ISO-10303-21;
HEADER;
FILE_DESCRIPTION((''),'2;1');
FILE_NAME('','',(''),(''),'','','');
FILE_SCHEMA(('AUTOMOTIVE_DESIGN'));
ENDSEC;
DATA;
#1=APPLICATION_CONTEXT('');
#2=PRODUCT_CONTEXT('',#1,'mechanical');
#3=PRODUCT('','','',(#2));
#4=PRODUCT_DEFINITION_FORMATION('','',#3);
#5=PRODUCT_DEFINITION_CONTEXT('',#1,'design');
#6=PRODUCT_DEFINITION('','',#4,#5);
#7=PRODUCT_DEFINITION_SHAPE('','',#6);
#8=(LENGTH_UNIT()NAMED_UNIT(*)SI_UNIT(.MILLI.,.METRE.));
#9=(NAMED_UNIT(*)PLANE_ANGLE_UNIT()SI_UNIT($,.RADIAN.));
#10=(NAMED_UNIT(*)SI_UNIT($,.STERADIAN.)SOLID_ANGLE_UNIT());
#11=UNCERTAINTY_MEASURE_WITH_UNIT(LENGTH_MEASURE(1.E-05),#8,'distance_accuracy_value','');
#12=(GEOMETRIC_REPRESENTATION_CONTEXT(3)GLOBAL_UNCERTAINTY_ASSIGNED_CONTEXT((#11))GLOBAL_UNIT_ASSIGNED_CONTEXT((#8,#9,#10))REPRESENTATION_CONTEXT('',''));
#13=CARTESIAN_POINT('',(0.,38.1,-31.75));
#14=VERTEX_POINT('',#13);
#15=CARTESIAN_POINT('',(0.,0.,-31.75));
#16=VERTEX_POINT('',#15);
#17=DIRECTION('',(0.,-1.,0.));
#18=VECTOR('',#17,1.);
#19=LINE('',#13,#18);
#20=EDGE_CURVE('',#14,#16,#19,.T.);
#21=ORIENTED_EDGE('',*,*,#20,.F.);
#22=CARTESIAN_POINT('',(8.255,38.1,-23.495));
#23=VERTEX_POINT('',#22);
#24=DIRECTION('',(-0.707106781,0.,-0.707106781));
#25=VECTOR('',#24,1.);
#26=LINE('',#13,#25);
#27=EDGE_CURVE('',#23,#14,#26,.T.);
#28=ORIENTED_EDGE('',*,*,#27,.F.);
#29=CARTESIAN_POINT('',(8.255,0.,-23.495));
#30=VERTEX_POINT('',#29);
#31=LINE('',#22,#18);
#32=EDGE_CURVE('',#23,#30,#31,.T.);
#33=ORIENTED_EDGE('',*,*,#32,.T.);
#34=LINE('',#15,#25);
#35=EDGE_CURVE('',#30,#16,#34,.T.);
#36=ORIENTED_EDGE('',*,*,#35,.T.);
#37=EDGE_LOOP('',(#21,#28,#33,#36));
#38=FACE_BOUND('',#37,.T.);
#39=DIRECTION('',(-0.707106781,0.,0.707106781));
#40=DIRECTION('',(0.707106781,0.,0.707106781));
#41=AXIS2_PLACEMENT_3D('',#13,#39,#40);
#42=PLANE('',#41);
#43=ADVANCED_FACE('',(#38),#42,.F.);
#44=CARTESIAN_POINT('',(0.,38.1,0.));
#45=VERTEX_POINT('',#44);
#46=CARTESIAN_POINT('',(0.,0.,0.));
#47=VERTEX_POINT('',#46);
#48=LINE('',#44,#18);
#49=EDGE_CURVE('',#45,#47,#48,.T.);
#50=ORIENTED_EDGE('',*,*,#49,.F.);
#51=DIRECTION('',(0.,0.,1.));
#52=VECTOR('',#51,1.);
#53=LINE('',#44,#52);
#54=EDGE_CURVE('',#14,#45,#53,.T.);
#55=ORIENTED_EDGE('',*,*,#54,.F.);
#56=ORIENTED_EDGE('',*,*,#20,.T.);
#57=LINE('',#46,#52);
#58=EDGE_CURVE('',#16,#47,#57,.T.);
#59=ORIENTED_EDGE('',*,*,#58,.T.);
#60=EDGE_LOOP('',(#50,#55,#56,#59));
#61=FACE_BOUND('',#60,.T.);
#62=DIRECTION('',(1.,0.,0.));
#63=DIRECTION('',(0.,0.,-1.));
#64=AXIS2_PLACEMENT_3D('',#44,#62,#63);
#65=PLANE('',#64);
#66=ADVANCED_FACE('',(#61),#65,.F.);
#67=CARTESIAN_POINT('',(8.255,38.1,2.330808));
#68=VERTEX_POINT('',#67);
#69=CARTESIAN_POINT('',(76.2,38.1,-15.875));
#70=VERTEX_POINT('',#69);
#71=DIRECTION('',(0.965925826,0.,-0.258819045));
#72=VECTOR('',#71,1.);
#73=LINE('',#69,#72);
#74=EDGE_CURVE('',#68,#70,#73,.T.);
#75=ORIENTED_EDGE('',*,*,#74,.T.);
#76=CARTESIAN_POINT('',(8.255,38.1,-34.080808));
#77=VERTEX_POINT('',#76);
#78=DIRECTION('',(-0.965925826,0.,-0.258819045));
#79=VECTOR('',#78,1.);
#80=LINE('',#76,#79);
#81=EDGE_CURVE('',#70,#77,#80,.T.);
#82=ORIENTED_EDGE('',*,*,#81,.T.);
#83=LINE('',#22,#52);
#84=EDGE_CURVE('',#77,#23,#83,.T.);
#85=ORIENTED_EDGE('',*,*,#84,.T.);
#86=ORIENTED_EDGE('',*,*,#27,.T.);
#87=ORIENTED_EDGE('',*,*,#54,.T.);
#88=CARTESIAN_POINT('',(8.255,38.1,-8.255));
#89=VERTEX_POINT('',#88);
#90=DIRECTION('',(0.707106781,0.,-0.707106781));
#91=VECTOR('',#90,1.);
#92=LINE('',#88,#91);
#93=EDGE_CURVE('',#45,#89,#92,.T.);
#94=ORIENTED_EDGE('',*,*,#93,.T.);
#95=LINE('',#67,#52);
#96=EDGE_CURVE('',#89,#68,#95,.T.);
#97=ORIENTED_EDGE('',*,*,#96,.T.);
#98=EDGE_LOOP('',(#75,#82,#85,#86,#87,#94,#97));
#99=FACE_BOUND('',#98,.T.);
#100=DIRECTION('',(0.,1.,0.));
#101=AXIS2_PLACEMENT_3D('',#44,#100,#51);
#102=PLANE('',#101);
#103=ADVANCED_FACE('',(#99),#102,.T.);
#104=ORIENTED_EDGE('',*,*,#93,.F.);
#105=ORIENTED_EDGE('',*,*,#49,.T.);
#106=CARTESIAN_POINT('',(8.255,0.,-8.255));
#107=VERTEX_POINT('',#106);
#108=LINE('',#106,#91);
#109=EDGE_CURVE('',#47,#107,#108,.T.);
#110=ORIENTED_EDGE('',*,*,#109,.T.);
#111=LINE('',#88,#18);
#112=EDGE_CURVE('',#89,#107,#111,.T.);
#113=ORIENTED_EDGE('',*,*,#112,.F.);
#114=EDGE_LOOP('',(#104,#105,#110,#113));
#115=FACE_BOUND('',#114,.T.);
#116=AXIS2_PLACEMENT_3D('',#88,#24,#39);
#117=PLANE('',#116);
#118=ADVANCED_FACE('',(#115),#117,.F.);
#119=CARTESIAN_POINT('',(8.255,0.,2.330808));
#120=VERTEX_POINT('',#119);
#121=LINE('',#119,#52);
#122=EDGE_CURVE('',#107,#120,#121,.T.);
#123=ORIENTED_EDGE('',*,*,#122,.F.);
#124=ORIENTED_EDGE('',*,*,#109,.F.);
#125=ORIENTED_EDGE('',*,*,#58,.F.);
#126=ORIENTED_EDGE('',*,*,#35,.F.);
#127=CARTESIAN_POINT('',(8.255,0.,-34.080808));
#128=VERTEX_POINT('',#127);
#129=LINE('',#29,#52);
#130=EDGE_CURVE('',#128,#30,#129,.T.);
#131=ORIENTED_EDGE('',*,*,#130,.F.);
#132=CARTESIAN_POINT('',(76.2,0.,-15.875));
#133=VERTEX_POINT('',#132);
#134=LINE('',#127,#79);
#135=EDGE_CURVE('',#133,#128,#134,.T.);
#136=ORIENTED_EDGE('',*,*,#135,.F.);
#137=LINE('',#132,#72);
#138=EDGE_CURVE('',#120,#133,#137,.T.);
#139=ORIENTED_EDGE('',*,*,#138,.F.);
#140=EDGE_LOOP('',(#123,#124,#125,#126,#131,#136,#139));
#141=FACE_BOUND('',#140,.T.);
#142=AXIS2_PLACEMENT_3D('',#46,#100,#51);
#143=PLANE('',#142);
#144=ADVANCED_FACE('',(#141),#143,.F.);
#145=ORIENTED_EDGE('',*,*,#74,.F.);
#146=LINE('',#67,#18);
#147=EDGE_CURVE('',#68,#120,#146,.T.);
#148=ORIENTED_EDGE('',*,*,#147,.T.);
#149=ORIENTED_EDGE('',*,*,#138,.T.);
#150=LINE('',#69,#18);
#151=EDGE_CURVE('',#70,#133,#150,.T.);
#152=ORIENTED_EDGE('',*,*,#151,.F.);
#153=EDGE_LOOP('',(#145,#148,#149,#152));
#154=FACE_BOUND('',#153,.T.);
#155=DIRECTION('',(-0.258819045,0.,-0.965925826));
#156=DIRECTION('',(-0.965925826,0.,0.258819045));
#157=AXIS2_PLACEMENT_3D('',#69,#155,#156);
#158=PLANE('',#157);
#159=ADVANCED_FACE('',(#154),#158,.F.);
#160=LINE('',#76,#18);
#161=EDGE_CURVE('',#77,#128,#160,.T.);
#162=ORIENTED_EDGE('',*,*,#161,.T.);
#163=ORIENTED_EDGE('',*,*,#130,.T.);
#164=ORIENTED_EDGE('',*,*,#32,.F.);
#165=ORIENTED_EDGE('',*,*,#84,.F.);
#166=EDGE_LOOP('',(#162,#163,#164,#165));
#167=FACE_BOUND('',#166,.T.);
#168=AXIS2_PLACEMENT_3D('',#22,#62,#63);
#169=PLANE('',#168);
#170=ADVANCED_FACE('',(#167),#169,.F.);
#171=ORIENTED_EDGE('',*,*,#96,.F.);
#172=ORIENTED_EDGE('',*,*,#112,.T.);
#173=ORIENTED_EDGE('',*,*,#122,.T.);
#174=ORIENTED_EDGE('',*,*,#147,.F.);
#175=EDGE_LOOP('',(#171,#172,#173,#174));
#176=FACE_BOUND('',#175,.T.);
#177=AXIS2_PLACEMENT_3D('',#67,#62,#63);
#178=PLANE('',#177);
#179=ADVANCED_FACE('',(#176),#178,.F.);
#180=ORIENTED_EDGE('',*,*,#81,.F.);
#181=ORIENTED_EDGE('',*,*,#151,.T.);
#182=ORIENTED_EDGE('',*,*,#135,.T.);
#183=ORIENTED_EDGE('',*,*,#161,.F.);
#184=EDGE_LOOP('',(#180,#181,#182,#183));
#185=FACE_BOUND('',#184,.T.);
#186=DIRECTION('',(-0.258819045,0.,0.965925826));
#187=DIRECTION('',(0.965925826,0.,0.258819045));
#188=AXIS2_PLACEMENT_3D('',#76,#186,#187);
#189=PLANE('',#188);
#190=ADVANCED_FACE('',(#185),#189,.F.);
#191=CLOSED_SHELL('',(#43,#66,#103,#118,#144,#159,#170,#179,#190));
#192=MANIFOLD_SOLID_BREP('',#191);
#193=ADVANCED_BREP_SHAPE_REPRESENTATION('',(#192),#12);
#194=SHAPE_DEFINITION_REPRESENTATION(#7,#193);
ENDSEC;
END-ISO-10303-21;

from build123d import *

# Parameters (mm, degrees)
BOSS_EXTRUDE1_DEPTH = 38.1


with BuildPart() as part:
    # Sketch1 → Boss-Extrude1 (new body)
    with BuildSketch(Plane(origin=(0, 0, 0), x_dir=(1, 0, 0), z_dir=(0, 1, 0))):
        Polygon((0, 0), (0, 31.75), (8.255, 23.495), (8.255, 34.08080788), (76.2, 15.875), (8.255, -2.33080788), (8.255, 8.255), align=None)
    extrude(amount=BOSS_EXTRUDE1_DEPTH)


solid = part.part
